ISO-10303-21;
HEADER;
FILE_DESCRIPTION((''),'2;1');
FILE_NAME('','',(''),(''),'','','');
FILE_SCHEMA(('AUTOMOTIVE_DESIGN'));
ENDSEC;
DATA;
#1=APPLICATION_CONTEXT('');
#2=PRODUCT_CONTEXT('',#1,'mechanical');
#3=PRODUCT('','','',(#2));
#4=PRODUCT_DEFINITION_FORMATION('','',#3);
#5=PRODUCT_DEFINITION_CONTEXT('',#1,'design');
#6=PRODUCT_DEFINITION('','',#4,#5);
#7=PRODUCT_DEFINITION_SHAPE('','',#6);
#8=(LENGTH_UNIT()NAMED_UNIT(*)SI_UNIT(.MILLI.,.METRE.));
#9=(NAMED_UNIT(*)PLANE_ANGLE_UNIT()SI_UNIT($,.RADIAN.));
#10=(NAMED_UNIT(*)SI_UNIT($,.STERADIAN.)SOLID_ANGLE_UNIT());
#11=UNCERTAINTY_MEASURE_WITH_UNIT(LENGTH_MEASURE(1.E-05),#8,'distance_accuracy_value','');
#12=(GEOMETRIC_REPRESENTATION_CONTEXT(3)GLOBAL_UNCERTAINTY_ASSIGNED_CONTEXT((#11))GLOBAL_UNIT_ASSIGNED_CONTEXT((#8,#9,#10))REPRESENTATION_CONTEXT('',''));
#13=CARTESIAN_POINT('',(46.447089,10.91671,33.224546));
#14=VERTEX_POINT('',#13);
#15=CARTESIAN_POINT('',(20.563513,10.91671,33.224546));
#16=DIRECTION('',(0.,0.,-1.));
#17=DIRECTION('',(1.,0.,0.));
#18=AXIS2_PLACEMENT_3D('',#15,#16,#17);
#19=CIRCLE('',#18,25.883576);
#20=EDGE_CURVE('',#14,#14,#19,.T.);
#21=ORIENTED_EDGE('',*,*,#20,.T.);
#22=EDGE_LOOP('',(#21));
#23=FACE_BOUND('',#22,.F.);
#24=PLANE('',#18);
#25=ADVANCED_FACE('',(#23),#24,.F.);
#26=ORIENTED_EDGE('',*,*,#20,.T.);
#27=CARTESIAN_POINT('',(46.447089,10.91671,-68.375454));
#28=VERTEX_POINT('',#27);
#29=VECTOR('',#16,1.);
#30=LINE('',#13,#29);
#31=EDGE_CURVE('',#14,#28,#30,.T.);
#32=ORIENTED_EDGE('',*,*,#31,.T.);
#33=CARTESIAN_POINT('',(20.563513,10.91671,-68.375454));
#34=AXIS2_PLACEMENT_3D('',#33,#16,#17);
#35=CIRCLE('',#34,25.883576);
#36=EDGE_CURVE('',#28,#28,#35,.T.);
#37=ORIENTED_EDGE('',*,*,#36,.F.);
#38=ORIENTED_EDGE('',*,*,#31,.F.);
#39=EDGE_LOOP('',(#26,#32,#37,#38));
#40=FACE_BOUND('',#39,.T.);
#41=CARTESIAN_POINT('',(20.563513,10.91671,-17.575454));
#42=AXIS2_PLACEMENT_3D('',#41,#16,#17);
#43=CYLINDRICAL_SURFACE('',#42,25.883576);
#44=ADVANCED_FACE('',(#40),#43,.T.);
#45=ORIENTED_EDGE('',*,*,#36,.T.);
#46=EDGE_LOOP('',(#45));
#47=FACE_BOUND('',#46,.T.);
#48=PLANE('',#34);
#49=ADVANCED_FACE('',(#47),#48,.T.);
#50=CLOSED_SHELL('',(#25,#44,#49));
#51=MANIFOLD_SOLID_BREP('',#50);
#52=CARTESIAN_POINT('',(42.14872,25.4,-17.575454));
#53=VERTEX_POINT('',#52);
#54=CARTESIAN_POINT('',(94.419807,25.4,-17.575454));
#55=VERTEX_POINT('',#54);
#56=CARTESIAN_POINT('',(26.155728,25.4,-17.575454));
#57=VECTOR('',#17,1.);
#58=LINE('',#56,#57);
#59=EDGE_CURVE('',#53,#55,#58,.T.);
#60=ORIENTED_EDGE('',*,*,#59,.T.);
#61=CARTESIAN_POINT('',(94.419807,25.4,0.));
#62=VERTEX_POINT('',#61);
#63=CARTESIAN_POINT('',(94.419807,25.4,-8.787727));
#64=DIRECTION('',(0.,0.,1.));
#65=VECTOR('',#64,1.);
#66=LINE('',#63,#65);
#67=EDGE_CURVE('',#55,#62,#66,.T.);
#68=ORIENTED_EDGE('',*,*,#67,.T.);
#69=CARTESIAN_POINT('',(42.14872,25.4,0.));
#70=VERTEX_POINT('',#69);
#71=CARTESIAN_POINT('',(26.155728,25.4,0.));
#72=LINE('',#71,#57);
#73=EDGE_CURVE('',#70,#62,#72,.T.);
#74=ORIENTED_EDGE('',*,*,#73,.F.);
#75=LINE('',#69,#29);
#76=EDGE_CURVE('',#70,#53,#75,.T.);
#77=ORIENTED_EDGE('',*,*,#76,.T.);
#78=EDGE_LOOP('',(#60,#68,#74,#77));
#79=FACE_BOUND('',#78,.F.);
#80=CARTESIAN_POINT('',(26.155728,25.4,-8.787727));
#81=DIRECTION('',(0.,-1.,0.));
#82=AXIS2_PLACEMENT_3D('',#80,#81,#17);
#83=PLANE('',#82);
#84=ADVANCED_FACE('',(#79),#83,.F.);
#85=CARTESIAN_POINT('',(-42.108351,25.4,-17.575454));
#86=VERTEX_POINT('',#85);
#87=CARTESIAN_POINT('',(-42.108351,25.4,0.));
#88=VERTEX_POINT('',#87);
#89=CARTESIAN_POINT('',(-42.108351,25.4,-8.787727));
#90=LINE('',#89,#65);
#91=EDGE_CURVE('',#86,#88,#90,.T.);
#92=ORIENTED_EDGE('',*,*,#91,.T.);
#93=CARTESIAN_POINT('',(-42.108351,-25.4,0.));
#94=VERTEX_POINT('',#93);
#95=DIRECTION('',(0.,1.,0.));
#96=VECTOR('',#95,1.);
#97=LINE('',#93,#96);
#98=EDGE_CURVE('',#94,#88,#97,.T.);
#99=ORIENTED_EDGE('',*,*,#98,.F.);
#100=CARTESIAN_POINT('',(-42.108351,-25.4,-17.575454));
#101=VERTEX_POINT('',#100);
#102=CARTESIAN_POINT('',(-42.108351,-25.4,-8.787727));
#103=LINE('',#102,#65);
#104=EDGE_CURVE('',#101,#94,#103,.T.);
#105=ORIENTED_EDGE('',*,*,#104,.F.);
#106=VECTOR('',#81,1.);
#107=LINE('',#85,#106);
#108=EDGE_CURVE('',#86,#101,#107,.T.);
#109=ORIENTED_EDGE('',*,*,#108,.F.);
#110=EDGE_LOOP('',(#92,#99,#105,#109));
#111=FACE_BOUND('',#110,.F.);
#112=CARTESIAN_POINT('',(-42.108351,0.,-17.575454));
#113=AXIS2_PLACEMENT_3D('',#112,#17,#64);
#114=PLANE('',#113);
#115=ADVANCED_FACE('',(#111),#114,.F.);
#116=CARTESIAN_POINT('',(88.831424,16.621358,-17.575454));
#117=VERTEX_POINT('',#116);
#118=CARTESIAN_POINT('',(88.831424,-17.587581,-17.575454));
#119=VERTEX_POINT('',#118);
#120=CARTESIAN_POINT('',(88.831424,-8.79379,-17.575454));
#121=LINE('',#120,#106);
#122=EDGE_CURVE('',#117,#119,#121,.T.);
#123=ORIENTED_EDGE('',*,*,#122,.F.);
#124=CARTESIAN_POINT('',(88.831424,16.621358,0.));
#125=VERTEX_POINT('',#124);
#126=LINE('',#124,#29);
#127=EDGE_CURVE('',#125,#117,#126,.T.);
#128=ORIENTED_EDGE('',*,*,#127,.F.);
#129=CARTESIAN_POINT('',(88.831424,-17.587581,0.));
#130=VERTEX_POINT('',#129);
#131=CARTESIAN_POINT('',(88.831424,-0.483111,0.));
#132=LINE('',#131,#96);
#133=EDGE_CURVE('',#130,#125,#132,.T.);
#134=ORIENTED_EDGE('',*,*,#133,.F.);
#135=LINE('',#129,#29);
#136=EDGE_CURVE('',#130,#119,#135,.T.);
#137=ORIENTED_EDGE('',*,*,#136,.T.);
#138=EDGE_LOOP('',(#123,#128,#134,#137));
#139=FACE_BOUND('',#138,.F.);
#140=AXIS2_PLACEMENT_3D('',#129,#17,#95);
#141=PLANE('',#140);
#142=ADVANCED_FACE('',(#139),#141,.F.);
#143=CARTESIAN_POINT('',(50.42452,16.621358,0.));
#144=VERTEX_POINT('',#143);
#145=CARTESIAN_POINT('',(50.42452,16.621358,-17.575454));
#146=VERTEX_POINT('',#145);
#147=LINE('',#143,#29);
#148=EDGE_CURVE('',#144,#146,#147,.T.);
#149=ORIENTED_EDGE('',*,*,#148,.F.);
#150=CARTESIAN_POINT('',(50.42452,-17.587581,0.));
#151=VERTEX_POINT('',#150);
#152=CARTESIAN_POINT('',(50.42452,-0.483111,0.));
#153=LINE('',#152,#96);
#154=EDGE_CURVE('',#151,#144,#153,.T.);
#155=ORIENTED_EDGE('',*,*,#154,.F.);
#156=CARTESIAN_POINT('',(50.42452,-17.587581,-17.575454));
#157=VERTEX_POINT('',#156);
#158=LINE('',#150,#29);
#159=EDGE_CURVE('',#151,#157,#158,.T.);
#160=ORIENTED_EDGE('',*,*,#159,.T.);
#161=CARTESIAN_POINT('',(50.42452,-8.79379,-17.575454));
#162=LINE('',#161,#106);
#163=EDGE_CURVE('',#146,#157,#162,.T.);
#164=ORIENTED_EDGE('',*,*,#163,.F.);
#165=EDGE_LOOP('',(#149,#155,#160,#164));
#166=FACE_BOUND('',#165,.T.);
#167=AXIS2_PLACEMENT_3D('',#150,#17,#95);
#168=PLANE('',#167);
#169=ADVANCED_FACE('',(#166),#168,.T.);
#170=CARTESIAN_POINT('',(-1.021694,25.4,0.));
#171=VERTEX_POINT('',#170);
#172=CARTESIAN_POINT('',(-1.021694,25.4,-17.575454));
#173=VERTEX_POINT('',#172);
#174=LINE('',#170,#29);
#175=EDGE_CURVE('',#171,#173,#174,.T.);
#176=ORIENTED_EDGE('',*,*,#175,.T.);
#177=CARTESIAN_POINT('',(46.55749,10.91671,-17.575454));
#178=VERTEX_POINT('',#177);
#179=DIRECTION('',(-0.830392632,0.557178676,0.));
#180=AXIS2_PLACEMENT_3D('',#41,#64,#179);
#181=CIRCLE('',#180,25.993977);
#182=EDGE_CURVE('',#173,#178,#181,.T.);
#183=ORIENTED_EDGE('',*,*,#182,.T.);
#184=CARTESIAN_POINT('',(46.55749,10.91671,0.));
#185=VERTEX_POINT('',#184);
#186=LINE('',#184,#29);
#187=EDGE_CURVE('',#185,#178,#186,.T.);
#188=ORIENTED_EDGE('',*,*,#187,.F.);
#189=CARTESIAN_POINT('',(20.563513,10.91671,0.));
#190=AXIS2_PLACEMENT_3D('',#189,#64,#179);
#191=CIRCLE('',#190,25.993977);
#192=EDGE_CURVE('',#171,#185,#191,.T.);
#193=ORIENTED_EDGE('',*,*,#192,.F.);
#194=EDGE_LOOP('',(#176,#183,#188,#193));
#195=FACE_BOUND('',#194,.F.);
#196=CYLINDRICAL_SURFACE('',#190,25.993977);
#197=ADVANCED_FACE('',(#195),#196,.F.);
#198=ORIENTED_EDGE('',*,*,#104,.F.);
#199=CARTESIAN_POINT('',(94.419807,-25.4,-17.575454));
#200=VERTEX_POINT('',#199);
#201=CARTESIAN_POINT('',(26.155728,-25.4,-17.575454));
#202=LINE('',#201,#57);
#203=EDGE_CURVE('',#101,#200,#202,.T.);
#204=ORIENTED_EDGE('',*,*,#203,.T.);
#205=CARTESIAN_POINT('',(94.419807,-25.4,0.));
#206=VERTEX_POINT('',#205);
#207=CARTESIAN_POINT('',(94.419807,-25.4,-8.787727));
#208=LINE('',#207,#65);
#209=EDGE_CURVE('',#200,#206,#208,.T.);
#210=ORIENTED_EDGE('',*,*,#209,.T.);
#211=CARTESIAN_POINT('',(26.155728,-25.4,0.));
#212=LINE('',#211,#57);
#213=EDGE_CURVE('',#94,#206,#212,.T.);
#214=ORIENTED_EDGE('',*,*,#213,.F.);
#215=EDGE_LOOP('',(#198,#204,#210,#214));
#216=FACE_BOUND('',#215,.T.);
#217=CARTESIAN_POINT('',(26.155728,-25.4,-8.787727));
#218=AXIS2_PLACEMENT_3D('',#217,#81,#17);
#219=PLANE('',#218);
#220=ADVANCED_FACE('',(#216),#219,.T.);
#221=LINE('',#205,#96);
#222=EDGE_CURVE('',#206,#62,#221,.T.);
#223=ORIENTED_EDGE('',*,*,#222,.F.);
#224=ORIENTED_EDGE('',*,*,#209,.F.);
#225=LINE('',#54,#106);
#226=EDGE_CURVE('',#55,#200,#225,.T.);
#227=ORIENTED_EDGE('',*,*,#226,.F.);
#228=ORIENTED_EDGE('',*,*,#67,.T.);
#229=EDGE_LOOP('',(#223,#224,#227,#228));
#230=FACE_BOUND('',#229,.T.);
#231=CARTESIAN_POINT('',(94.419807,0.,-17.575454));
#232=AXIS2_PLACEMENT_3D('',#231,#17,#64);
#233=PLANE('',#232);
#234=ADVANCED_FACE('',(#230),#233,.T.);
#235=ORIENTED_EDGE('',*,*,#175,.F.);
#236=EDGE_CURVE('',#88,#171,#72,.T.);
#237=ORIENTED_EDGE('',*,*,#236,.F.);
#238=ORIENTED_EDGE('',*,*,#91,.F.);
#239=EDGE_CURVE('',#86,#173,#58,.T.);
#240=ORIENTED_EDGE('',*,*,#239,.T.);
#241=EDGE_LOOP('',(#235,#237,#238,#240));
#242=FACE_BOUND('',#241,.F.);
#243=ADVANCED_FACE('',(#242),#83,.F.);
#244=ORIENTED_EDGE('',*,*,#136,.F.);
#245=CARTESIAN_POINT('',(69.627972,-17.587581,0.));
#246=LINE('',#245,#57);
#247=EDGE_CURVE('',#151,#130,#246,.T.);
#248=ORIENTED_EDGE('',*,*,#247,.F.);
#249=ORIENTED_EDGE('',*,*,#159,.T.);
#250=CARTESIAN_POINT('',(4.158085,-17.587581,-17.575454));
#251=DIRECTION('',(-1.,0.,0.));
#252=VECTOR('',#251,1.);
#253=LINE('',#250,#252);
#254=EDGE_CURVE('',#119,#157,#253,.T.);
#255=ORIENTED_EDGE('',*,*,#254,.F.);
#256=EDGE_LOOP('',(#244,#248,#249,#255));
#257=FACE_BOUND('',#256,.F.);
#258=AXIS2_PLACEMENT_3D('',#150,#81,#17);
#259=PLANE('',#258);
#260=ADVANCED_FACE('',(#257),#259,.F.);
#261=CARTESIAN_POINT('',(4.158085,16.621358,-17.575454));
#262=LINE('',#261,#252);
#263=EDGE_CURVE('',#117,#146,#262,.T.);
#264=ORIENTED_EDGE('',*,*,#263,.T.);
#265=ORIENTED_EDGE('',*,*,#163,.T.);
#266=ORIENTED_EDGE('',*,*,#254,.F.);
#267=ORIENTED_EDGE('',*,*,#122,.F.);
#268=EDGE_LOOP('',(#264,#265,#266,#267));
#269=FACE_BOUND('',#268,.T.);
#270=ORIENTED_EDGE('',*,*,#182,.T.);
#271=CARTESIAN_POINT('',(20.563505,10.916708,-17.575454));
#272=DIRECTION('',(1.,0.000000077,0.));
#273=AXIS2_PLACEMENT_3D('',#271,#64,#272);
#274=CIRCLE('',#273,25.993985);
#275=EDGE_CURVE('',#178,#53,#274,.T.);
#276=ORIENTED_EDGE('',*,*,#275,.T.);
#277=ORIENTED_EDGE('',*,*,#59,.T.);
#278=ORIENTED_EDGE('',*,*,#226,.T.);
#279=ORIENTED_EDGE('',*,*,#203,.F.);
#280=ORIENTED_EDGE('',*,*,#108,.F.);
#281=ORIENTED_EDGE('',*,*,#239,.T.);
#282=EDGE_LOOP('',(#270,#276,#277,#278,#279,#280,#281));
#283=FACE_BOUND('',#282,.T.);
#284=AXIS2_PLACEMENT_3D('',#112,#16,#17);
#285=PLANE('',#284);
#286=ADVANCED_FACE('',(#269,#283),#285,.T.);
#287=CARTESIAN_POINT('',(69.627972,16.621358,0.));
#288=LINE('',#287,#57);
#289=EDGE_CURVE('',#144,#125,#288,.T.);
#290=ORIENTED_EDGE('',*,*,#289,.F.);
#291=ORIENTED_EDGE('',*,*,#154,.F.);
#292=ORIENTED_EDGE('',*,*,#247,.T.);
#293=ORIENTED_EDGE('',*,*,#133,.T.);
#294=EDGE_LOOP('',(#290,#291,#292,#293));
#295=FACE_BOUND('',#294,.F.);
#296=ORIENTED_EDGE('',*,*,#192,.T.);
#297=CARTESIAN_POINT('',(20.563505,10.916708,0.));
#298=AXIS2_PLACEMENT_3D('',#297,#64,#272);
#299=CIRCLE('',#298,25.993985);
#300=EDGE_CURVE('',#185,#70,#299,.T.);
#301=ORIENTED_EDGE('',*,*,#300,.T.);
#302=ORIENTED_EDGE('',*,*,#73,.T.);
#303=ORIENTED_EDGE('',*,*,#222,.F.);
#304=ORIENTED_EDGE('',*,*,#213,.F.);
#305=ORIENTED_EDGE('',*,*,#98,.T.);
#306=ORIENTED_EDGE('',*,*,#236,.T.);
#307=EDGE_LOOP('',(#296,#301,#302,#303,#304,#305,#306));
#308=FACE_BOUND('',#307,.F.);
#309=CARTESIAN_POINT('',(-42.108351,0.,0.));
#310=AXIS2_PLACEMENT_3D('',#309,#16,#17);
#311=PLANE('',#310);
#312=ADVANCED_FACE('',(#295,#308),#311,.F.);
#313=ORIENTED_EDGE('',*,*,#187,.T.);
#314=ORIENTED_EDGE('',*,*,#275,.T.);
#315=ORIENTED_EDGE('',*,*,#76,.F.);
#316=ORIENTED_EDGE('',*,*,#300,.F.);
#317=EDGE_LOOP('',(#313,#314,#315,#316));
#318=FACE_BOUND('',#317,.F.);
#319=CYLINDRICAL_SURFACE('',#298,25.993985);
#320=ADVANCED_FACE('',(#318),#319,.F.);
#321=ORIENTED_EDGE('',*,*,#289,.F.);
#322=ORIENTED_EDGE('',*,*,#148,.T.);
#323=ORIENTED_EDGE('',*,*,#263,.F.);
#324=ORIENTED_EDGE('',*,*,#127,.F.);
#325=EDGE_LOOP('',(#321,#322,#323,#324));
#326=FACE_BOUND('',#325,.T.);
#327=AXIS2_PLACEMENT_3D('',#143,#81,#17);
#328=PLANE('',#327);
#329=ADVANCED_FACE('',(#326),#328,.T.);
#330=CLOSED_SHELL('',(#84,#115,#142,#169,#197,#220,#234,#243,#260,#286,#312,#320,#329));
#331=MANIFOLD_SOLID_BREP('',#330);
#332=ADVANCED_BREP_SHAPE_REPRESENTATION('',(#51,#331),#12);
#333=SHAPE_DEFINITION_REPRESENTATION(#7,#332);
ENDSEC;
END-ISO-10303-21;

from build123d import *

# Parameters (mm, degrees)
F0_W          = 136.528157
F0_H          = 17.575454
F1_DEPTH      = 25.4
F1_DEPTH_BACK = 25.4
F3_DEPTH      = 25.4
F4_W          = 38.406905
F4_H          = 34.208939
F5_DEPTH      = 25.4
F6_R          = 25.883576
F7_DEPTH      = 50.8
F7_DEPTH_BACK = 50.8


with BuildPart() as f1:
    # F0 (on Front) → F1 (new body, two sides)
    with BuildSketch(Plane.XZ) as f1_sk:
        with Locations((26.155728, -8.787727)):
            Rectangle(F0_W, F0_H)
    extrude(amount=F1_DEPTH)
    extrude(f1_sk.sketch, amount=-F1_DEPTH_BACK)

    # F2 (on face) → F3 (cut)
    with BuildSketch(Plane.XY):
        with BuildLine():
            Line((-1.021694, 25.4), (42.14872, 25.4))
            ThreePointArc((42.14872, 25.4), (20.563513, 36.910687), (-1.021694, 25.4))
        make_face()
        with BuildLine():
            ThreePointArc((-1.021694, 25.4), (12.993788, -13.95066), (46.55749, 10.91671))
            ThreePointArc((46.55749, 10.91671), (45.430883, 18.486435), (42.14872, 25.4))
            Line((42.14872, 25.4), (-1.021694, 25.4))
        make_face()
    extrude(amount=-F3_DEPTH, mode=Mode.SUBTRACT)

    # F4 (on face) → F5 (cut)
    with BuildSketch(Plane.XY):
        with Locations((69.627972, -0.483111)):
            Rectangle(F4_W, F4_H)
    extrude(amount=-F5_DEPTH, mode=Mode.SUBTRACT)


with BuildPart() as f7:
    # F6 (on face) → F7 (new body, two sides)
    with BuildSketch(Plane(origin=(0, 0, -17.575454), x_dir=(1, 0, 0), z_dir=(0, 0, -1))) as f7_sk:
        with Locations((20.563513, -10.91671)):
            Circle(F6_R)
    extrude(amount=F7_DEPTH)
    extrude(f7_sk.sketch, amount=-F7_DEPTH_BACK)


solid = Compound([f1.part, f7.part])
